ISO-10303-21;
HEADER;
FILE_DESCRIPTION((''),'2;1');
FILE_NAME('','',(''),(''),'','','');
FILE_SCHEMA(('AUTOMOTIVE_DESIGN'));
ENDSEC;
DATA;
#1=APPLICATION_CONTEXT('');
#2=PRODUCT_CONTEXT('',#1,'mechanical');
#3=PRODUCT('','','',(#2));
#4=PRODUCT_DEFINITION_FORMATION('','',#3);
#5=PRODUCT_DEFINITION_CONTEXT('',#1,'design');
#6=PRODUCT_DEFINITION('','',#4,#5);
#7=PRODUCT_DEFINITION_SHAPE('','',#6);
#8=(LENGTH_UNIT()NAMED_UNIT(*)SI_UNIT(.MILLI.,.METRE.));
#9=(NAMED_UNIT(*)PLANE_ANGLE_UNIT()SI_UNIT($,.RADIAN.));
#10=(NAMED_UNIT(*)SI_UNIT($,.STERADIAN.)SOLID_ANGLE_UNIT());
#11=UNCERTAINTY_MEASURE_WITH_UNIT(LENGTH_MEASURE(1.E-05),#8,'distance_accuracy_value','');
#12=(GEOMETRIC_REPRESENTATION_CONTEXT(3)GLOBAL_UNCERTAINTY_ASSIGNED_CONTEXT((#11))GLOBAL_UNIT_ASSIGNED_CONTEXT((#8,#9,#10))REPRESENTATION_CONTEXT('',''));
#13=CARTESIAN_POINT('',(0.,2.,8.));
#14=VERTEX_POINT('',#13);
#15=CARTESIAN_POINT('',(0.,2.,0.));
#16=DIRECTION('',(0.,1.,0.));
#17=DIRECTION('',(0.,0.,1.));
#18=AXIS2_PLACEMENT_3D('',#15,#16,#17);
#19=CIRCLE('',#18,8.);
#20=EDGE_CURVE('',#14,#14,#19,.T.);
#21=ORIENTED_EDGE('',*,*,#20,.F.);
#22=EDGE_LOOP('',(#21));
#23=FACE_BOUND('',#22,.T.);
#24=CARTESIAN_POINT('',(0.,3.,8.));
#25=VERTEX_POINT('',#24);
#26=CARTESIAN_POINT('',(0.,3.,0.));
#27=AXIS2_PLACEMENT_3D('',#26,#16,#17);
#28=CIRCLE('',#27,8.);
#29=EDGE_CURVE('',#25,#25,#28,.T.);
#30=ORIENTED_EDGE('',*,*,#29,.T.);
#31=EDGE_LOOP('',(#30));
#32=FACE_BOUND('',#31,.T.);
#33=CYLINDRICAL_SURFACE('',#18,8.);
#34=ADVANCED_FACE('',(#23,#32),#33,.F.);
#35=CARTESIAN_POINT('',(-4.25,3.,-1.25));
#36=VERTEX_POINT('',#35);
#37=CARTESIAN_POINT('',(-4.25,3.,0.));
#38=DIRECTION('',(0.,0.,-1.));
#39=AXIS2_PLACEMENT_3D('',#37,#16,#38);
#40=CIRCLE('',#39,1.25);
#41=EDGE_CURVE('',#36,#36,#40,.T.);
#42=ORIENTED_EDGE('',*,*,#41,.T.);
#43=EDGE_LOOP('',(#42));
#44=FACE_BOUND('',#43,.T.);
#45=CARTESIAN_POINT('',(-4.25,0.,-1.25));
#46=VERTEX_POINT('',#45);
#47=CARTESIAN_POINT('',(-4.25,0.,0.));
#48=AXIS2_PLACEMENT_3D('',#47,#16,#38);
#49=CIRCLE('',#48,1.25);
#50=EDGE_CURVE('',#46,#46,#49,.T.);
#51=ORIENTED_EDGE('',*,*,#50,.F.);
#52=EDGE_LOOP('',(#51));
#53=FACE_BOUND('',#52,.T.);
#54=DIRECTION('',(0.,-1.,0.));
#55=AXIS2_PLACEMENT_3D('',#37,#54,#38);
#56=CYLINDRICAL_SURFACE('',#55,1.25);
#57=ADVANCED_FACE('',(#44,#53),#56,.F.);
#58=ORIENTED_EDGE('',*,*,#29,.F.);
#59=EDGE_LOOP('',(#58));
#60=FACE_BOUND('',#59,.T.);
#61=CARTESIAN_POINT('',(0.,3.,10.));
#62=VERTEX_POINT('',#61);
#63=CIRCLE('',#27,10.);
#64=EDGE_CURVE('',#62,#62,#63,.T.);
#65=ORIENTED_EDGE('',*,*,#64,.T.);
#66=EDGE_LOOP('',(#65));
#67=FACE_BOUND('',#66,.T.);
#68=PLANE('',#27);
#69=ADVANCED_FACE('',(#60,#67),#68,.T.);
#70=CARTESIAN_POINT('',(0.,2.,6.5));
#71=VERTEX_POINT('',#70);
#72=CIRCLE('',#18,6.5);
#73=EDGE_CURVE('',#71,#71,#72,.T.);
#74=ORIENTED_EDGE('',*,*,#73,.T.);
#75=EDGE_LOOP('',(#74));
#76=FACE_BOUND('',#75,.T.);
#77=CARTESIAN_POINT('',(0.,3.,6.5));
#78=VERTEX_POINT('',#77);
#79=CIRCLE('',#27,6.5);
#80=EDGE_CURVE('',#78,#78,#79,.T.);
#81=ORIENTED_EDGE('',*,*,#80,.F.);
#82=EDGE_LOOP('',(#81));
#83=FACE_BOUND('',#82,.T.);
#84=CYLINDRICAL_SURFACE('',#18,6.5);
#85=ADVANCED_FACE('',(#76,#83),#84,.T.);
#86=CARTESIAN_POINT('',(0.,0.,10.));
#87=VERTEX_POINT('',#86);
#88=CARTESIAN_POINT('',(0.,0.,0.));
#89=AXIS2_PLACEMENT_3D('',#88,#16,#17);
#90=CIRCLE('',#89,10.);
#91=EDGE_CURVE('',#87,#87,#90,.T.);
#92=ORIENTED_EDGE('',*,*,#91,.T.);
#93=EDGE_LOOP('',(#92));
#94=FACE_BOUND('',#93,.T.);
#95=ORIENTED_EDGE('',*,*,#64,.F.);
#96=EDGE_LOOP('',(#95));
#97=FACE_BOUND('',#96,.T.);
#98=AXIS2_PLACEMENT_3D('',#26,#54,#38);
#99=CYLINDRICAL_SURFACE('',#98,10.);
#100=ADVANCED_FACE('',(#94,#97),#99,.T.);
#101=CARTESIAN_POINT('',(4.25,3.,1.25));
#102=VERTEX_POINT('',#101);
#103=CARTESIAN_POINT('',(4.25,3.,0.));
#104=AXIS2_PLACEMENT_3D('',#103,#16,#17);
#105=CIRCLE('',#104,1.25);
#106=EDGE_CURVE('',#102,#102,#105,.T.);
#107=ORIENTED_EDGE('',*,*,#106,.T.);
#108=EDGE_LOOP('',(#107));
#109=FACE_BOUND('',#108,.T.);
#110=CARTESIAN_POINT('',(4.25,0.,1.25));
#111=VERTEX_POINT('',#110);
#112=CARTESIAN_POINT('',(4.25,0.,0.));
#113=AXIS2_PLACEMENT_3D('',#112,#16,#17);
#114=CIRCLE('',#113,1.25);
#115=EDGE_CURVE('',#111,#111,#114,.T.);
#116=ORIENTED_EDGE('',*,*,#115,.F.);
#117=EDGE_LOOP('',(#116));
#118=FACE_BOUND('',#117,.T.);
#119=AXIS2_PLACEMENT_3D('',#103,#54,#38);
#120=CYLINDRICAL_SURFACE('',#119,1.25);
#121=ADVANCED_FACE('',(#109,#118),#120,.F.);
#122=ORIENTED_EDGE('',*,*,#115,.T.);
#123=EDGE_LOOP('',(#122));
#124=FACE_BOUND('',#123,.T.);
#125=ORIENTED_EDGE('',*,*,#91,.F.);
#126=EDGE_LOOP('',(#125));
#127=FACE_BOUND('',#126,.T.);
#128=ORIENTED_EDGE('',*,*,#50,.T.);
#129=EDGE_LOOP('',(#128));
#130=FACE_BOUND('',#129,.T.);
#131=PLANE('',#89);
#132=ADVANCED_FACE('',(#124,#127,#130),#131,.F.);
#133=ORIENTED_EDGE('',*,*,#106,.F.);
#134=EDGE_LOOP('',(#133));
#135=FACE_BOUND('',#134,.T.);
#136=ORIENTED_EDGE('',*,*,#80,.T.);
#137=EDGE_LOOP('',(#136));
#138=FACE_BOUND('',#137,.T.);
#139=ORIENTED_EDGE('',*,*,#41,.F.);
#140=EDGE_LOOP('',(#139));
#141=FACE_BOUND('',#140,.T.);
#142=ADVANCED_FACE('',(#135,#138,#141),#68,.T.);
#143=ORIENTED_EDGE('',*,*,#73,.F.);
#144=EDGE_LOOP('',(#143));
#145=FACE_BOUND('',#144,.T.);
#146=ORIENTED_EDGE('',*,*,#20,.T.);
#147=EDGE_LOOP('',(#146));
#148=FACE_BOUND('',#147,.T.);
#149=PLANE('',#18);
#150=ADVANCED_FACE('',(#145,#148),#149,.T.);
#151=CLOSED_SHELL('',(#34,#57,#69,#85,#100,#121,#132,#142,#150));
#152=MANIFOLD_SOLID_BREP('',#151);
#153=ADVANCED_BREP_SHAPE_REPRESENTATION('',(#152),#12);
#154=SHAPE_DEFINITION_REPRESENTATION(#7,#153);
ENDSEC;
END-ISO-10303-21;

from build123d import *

# Parameters (mm, degrees)
SKETCH1_R           = 10
BOSS_EXTRUDE1_DEPTH = 3
SKETCH3_R           = 8
SKETCH3_R_2         = 6.5
CUT_EXTRUDE1_DEPTH  = 1
SKETCH4_R           = 1.25
CUT_EXTRUDE2_DEPTH  = 15.456832295


with BuildPart() as part:
    # Sketch1 → Boss-Extrude1 (new body)
    with BuildSketch(Plane(origin=(0, 0, 0), x_dir=(1, 0, 0), z_dir=(0, 1, 0))):
        with Locations(Location((0, 0, 0), (0, 0, 270))):
            Circle(SKETCH1_R)
    extrude(amount=BOSS_EXTRUDE1_DEPTH)

    # Sketch3 → Cut-Extrude1 (cut)
    with BuildSketch(Plane(origin=(0, 3, 0), x_dir=(1, 0, 0), z_dir=(0, 1, 0))):
        with Locations(Location((0, 0, 0), (0, 0, 270))):
            Circle(SKETCH3_R)
        with Locations(Location((0, 0, 0), (0, 0, 270))):
            Circle(SKETCH3_R_2, mode=Mode.SUBTRACT)
    extrude(amount=-CUT_EXTRUDE1_DEPTH, mode=Mode.SUBTRACT)

    # Sketch4 → Cut-Extrude2 (cut, through all)
    with BuildSketch(Plane(origin=(0, 0, 0), x_dir=(1, 0, 0), z_dir=(0, 1, 0))):
        with Locations(Location((4.25, 0, 0), (0, 0, 270))):
            Circle(SKETCH4_R)
        with Locations(Location((-4.25, 0, 0), (0, 0, 90))):
            Circle(SKETCH4_R)
    extrude(amount=CUT_EXTRUDE2_DEPTH, mode=Mode.SUBTRACT)


solid = part.part
